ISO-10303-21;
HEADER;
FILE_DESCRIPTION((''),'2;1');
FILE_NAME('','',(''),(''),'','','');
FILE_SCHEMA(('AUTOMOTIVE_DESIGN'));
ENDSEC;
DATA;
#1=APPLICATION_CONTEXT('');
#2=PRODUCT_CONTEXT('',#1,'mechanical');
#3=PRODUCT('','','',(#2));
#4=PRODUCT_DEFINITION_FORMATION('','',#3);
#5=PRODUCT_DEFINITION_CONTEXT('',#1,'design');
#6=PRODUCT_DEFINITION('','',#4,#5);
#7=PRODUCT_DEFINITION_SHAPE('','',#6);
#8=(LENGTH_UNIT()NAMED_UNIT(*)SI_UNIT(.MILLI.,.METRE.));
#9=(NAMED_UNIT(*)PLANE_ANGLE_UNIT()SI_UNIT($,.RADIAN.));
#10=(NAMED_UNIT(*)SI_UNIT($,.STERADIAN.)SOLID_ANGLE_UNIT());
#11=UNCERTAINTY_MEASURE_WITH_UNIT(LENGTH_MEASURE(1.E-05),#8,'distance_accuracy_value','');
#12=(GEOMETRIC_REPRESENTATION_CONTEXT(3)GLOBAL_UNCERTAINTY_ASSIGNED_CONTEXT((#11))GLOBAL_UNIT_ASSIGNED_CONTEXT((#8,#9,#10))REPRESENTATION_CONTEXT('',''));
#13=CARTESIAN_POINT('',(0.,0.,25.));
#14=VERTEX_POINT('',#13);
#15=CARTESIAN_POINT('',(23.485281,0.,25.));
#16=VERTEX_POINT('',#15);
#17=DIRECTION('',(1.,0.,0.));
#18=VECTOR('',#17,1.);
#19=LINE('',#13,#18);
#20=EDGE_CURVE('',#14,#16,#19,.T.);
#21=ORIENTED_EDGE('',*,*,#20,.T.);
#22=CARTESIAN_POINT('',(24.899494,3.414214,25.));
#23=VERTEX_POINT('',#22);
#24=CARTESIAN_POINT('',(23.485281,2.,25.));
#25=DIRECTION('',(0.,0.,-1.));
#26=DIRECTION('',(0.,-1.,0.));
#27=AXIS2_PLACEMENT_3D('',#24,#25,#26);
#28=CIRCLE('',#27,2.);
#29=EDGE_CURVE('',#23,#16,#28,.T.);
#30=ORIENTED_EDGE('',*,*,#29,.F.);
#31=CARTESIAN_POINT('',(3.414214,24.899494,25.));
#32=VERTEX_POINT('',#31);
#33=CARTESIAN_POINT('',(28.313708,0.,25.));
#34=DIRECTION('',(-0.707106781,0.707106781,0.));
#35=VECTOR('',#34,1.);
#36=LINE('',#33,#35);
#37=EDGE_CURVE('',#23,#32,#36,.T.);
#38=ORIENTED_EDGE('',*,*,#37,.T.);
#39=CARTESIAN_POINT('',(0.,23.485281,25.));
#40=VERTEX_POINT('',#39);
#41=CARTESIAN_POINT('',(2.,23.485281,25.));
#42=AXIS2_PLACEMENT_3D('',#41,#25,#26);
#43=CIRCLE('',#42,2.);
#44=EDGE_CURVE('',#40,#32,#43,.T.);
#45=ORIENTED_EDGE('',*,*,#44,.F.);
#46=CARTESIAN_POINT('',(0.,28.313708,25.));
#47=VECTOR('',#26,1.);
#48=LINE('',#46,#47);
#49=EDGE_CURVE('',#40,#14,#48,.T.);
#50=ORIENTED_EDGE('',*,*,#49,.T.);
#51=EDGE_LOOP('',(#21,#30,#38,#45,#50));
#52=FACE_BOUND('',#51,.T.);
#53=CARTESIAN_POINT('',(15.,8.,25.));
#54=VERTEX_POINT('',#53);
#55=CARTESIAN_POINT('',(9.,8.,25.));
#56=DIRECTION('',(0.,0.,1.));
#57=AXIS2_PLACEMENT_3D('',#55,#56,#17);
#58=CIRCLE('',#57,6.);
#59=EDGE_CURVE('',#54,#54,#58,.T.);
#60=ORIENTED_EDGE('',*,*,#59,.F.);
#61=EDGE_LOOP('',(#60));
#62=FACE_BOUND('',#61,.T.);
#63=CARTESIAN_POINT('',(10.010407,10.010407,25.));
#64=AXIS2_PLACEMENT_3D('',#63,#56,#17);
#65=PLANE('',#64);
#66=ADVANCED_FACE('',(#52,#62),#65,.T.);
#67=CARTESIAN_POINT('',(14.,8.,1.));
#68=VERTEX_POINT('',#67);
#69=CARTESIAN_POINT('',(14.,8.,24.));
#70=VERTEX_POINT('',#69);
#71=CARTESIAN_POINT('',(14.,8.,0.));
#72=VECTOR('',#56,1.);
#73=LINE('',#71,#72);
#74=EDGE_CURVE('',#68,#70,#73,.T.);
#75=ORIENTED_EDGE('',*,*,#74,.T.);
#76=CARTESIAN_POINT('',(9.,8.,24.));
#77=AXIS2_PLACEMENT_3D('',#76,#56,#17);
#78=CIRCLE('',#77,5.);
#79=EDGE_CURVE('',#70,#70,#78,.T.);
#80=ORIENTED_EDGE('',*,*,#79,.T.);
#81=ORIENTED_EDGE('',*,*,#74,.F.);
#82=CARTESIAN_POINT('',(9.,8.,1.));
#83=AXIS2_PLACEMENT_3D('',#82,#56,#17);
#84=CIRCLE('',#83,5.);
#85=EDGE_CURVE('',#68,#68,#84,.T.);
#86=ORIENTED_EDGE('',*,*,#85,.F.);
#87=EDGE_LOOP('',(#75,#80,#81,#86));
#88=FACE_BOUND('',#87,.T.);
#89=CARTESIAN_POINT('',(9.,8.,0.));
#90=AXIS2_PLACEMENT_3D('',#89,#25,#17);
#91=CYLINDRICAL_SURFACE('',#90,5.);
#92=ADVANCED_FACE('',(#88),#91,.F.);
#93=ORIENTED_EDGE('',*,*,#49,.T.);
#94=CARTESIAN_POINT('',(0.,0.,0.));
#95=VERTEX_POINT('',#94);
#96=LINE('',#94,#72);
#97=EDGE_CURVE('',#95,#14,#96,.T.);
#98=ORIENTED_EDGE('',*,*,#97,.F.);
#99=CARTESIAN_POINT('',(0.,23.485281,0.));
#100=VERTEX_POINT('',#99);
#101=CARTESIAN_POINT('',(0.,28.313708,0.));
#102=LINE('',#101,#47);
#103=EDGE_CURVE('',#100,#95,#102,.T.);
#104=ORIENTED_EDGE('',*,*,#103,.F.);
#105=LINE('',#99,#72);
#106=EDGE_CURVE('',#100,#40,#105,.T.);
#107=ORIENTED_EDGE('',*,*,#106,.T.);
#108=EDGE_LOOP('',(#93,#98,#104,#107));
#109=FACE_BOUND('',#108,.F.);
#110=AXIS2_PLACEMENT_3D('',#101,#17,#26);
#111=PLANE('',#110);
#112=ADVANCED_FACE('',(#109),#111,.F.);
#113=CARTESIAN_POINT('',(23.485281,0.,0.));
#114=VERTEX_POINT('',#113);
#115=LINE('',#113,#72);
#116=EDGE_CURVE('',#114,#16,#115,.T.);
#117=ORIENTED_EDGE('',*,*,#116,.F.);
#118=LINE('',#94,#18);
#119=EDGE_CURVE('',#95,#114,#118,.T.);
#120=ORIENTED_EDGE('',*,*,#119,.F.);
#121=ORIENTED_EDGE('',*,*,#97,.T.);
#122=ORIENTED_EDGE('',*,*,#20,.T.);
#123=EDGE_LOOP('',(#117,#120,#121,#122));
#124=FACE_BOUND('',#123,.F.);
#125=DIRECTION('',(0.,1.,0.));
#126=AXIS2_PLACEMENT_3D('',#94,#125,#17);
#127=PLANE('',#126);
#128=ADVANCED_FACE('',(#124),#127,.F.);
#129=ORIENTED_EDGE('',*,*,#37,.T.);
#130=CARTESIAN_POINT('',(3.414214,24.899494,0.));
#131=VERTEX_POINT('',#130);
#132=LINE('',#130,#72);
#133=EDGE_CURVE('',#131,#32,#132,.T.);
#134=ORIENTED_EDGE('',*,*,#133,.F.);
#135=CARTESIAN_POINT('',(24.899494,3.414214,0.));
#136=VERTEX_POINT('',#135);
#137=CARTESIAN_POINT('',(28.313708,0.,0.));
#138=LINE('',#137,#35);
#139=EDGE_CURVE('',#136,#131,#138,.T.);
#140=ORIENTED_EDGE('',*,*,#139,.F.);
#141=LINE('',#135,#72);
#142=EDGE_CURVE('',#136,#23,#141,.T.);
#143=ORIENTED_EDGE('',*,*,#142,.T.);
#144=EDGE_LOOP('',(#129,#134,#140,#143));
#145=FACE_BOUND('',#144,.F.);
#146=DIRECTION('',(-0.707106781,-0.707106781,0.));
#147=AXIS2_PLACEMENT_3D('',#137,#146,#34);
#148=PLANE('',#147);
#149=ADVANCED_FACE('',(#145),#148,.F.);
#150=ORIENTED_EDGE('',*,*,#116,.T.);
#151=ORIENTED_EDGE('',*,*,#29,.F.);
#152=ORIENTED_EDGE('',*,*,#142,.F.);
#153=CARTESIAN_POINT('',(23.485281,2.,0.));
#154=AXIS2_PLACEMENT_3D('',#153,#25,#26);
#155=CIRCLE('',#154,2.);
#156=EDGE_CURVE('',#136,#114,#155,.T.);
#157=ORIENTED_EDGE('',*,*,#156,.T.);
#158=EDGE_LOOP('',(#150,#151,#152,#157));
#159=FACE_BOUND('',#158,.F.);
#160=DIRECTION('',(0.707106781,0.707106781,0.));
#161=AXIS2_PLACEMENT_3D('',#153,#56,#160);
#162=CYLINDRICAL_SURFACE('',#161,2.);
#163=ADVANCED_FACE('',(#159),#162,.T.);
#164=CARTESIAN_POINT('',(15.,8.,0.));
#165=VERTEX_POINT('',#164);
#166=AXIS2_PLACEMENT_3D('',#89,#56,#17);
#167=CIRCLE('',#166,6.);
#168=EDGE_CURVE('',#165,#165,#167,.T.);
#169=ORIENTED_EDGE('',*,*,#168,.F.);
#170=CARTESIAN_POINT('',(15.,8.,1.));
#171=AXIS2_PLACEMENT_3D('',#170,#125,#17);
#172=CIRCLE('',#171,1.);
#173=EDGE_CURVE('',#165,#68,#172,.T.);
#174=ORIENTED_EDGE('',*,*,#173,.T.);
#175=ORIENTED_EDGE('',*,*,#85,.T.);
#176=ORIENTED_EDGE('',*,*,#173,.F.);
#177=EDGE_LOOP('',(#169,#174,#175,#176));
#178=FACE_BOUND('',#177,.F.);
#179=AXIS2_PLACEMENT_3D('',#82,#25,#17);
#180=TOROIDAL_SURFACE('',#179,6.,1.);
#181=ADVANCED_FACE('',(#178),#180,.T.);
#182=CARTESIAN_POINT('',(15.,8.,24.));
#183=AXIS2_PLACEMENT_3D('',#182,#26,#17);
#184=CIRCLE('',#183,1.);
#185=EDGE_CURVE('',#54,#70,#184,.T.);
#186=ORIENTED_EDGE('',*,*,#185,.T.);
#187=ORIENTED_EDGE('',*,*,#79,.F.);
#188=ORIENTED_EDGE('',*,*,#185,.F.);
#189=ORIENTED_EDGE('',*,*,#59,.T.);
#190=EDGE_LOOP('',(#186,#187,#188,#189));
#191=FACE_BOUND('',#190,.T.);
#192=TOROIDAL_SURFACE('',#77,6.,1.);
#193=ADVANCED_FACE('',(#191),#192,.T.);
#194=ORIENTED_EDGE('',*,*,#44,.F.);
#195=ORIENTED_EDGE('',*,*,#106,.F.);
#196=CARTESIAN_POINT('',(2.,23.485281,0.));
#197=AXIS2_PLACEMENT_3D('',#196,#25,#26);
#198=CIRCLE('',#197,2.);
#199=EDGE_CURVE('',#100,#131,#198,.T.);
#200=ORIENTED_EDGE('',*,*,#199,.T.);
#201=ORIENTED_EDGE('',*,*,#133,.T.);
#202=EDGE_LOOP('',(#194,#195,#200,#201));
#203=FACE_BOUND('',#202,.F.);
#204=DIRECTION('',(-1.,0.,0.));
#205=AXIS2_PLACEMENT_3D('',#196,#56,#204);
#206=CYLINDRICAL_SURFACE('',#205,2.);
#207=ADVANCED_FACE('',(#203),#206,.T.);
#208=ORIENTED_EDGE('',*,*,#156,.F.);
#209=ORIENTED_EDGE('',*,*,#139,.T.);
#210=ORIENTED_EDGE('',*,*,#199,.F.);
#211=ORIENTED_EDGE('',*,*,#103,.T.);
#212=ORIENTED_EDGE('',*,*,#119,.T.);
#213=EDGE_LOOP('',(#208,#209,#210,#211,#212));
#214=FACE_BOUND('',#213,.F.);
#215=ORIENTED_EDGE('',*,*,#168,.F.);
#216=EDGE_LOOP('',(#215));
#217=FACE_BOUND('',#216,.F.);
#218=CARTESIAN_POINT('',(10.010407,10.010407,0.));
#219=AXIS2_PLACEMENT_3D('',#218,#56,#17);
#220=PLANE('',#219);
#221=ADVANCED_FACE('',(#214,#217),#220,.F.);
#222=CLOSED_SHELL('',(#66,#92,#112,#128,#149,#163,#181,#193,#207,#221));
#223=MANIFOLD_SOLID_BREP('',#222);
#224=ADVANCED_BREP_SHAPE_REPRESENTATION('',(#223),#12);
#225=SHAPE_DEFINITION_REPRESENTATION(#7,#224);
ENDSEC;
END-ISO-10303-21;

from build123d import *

# Parameters (mm, degrees)
F0_R     = 5
F1_DEPTH = 25
F2_R     = 2
F3_R     = 1


with BuildPart() as f1:
    # F0 (on Top) → F1 (new body)
    with BuildSketch(Plane.XY):
        Polygon((0, 28.313708), (0, 0), (28.313708, 0), align=None)
        with Locations((9, 8)):
            Circle(F0_R, mode=Mode.SUBTRACT)
    extrude(amount=F1_DEPTH)

    # F2
    f2_edges = [f1.edges().sort_by_distance(p)[0] for p in [
        (0, 28.313708, 12.5),
        (28.313708, 0, 12.5),
    ]]
    fillet(f2_edges, radius=F2_R)

    # F3
    f3_edges = [f1.edges().sort_by_distance(p)[0] for p in [
        (14, 8, 12.5),
        (4, 8, 0),
        (4, 8, 25),
    ]]
    fillet(f3_edges, radius=F3_R)


solid = f1.part
